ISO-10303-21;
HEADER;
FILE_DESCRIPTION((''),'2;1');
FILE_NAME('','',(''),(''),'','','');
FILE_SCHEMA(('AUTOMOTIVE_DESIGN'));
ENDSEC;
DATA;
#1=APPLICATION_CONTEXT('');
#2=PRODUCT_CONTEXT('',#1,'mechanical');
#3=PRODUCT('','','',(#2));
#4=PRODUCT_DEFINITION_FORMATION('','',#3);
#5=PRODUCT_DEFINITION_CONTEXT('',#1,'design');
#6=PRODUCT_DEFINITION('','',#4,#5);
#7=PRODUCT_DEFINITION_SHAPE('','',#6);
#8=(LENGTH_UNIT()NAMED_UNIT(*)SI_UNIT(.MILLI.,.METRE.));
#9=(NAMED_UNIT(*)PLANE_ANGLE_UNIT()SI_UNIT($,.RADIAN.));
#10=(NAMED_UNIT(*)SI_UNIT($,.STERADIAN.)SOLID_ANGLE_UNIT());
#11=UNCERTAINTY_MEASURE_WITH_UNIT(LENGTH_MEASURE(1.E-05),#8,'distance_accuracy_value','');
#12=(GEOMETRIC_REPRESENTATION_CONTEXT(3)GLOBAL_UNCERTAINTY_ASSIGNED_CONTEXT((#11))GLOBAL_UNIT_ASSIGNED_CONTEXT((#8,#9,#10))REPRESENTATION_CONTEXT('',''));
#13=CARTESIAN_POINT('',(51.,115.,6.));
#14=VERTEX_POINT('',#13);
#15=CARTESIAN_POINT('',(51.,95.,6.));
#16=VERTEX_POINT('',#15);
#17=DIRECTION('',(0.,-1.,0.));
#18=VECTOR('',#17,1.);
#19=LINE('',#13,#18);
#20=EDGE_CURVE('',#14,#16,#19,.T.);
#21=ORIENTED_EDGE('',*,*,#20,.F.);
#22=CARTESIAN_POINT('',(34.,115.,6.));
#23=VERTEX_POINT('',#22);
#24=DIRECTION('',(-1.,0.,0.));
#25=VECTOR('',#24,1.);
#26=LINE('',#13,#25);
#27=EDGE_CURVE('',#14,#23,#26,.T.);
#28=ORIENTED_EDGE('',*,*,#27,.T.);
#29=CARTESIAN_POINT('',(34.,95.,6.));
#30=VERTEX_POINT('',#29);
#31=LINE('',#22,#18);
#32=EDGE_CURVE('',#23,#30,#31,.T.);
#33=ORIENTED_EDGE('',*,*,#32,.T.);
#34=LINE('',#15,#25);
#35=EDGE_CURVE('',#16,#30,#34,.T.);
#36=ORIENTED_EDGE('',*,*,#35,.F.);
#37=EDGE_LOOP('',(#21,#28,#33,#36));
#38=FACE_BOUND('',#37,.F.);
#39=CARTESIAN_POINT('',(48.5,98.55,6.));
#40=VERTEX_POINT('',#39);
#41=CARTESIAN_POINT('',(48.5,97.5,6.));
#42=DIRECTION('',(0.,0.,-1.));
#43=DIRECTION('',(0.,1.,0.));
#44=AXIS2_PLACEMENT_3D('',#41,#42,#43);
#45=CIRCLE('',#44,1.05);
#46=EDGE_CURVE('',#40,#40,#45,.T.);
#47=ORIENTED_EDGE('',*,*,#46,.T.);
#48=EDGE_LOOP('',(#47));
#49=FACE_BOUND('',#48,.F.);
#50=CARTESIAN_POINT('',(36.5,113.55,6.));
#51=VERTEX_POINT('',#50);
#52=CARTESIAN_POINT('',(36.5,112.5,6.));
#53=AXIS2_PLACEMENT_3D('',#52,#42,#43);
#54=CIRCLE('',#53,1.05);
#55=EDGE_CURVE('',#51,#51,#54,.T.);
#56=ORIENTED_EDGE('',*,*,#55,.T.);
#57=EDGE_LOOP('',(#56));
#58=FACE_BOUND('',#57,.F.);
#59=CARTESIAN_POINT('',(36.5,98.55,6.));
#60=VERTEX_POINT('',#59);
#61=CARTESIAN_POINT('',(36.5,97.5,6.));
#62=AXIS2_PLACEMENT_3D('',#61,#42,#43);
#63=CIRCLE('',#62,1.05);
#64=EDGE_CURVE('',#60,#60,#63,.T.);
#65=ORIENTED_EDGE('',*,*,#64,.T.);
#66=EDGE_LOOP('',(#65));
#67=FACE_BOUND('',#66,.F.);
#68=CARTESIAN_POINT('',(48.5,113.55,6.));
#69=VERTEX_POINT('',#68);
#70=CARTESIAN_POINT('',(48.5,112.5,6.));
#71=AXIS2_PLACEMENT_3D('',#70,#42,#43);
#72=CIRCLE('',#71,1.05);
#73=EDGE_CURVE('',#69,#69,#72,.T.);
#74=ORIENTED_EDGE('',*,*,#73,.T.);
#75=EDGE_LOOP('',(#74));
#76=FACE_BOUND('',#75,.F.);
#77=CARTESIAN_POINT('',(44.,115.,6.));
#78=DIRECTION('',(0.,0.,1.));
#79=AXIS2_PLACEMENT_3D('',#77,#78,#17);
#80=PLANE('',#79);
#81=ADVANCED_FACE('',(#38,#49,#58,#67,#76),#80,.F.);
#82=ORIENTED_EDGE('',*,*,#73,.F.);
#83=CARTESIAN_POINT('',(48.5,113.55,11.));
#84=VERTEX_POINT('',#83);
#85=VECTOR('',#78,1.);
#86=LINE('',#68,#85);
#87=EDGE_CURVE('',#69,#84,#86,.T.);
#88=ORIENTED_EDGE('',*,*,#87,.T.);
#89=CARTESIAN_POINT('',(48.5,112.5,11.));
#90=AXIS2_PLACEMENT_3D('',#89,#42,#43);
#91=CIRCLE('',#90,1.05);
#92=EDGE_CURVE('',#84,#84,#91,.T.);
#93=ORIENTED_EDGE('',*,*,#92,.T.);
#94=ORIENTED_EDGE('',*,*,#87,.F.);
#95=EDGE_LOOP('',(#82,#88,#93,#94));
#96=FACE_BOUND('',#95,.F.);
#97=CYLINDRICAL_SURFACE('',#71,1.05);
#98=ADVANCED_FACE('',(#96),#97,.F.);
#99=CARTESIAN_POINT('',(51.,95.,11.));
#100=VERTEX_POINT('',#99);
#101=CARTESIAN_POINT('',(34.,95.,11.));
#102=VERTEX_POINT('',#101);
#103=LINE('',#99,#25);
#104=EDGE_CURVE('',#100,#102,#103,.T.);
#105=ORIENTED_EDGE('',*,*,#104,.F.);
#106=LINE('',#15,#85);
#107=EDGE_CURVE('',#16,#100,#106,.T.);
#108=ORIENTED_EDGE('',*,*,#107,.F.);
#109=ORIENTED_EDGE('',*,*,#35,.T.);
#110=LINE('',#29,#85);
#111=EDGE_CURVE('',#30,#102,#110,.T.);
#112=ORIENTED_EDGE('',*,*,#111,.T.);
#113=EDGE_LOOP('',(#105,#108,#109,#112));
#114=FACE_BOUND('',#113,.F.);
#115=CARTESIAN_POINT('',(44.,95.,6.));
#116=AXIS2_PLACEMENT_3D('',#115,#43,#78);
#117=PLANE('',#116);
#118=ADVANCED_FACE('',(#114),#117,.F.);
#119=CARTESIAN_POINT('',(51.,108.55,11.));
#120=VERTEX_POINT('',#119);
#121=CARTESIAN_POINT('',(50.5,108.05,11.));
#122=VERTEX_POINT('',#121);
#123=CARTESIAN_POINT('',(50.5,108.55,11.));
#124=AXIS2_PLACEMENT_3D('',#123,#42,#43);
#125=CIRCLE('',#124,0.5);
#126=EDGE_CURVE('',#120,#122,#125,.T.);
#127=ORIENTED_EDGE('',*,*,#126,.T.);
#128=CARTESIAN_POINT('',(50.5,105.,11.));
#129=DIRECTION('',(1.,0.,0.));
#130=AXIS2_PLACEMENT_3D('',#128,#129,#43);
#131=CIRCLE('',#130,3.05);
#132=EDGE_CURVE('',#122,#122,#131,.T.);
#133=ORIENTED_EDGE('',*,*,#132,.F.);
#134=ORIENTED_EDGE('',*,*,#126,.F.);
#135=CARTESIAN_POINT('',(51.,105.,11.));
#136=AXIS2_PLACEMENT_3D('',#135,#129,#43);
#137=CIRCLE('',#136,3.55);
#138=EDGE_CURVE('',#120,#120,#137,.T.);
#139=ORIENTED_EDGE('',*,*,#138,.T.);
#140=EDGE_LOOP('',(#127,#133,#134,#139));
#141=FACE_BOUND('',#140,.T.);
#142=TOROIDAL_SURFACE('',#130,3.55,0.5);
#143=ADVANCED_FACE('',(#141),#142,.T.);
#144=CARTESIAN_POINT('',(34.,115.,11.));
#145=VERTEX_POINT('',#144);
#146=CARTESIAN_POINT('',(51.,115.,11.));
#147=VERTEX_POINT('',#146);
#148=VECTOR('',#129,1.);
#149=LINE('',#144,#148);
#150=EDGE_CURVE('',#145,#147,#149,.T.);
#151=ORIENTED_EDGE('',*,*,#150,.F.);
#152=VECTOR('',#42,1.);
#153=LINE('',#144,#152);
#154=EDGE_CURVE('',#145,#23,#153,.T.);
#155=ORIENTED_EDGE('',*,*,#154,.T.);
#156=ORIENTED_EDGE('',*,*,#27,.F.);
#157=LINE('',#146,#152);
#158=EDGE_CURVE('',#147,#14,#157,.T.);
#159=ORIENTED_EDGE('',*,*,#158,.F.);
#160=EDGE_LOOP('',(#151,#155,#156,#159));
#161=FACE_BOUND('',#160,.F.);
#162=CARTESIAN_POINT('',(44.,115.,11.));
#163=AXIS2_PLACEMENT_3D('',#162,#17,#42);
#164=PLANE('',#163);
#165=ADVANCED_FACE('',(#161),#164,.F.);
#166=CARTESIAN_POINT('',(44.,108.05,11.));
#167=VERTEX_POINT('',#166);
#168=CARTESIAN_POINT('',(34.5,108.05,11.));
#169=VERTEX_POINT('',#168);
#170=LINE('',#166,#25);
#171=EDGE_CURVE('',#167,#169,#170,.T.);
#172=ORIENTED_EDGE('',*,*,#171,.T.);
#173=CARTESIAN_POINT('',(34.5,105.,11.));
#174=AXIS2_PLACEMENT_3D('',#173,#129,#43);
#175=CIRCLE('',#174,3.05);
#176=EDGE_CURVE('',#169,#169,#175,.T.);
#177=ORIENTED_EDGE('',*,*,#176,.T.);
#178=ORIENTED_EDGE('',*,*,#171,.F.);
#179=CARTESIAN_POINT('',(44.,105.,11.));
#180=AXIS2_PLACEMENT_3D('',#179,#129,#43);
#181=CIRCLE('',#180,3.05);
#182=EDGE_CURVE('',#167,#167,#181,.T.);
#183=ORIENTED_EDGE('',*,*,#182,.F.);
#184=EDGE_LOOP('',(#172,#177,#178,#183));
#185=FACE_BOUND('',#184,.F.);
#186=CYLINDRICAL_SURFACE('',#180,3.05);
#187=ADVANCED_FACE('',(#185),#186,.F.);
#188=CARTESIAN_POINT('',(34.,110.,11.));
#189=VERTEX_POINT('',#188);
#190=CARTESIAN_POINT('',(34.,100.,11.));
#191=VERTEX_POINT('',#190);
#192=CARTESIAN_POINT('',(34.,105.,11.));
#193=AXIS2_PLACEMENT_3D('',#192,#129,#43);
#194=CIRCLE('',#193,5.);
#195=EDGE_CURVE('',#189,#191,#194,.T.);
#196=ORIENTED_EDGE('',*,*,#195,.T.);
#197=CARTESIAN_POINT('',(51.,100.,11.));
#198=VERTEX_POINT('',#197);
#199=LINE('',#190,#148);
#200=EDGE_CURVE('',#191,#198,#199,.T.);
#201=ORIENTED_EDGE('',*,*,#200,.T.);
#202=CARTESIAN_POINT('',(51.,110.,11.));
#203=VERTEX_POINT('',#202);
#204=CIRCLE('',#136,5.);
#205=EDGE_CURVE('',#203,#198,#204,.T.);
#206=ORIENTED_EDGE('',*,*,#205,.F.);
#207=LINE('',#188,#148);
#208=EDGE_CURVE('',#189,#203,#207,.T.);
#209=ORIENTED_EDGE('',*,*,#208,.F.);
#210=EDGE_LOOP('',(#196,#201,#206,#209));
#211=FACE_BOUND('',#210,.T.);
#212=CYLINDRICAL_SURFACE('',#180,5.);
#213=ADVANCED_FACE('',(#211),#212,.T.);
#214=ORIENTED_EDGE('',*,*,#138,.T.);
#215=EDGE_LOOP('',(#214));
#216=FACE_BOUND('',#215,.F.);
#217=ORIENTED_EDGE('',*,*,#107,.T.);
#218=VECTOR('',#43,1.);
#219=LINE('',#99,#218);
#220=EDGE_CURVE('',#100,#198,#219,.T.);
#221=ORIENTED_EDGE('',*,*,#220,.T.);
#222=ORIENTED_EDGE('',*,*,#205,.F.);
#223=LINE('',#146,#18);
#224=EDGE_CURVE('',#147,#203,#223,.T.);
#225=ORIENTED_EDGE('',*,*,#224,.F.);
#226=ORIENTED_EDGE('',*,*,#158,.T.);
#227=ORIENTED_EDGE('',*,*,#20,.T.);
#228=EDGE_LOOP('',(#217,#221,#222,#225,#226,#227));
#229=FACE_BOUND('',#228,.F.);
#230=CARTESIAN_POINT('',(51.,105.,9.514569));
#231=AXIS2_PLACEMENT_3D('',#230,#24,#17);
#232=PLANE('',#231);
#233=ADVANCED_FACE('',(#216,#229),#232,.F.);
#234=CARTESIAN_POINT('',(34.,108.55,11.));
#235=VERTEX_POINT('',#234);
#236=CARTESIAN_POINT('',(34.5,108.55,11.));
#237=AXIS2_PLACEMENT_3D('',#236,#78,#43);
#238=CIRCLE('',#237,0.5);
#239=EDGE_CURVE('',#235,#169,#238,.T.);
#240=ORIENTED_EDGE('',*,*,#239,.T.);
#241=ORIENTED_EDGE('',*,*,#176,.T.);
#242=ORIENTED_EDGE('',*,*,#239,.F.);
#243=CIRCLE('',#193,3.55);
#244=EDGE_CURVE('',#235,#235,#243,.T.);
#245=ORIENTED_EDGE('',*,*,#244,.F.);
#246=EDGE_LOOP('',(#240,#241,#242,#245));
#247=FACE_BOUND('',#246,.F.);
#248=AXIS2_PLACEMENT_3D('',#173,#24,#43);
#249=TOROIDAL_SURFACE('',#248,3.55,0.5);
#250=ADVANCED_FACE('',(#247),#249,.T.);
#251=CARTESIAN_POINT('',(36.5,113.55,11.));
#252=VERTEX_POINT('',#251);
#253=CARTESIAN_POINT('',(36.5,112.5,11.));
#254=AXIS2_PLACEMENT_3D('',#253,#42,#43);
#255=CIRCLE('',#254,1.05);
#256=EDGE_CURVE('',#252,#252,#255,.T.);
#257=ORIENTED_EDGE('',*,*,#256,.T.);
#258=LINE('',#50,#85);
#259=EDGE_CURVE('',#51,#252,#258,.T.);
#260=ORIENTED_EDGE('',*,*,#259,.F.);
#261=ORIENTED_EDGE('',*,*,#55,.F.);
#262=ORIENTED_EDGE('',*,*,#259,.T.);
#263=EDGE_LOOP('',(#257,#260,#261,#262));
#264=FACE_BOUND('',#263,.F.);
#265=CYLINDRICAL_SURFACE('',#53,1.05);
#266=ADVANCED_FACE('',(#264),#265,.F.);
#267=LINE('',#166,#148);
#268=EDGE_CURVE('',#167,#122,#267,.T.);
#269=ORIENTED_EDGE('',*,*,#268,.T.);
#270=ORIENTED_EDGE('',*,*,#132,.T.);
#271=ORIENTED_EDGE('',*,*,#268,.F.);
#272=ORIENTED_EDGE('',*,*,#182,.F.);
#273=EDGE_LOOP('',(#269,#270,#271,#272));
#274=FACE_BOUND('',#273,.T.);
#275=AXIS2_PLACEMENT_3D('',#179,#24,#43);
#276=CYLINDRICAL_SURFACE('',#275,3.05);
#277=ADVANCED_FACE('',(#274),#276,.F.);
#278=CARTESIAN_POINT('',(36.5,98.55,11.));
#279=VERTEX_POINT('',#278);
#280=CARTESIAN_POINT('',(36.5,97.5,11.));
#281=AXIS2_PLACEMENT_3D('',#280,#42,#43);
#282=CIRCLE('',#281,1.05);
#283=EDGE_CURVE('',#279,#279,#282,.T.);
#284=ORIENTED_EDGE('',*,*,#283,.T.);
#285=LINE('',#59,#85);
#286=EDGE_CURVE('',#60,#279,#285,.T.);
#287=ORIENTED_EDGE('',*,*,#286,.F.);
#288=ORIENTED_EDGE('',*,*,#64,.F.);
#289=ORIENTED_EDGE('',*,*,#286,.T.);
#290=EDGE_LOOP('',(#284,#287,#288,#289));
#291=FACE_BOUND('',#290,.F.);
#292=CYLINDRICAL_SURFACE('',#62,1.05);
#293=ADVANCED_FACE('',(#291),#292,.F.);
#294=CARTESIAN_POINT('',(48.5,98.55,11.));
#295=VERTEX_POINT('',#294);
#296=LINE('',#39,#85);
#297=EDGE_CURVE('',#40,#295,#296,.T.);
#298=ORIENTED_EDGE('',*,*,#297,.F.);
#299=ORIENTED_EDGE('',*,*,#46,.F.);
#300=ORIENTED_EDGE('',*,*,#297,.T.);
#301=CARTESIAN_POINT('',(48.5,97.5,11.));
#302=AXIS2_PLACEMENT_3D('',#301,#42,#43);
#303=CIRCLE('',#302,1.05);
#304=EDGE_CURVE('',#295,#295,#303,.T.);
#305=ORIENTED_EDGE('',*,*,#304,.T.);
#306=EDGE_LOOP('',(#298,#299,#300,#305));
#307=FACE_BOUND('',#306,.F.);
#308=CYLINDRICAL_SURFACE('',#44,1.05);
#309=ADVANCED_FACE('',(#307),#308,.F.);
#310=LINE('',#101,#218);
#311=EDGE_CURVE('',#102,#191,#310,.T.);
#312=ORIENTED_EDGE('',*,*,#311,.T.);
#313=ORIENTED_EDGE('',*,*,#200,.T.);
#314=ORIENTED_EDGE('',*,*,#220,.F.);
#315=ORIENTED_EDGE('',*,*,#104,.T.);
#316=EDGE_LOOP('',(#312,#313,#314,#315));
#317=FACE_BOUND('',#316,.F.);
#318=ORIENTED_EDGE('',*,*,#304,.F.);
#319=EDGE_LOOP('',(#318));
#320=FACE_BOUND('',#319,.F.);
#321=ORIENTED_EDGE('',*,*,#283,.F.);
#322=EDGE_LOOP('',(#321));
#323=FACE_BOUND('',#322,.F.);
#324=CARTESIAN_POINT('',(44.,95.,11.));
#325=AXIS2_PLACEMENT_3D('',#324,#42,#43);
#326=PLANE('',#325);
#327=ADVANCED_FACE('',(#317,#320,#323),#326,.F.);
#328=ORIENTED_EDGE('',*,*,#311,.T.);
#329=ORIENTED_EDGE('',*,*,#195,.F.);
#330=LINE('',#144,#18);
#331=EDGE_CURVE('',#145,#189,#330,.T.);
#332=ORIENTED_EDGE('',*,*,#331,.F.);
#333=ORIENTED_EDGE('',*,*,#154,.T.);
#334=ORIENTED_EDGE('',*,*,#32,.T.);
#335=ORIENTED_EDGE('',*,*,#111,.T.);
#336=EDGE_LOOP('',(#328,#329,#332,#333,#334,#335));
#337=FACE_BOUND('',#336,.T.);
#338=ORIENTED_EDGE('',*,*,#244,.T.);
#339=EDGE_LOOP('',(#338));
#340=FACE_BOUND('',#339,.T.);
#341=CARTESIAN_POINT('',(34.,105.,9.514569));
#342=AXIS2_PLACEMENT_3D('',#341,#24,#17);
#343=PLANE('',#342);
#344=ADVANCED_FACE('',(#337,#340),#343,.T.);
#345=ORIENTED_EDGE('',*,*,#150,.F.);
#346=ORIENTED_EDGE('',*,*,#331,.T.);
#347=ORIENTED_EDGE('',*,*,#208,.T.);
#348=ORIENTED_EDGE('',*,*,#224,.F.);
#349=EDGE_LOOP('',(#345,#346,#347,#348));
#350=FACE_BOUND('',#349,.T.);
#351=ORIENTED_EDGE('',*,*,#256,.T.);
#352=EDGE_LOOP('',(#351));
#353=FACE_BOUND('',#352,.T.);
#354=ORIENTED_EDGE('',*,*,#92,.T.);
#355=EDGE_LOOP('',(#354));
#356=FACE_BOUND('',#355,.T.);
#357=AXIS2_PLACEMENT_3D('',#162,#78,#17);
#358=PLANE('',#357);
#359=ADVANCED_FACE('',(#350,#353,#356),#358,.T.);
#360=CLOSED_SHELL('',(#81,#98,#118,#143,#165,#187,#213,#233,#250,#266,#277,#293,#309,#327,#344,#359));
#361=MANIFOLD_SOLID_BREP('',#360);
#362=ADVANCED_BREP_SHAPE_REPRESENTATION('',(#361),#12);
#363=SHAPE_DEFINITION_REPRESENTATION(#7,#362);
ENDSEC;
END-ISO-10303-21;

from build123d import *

# Parameters (mm, degrees)
SKETCH_R                 = 3.05
PAD_DEPTH                = 7
PAD_DEPTH_BACK           = 10
SKETCH001_R              = 1.05
POCKET_DEPTH             = 5
FILLET_R                 = 0.5
CLONE003_PLACEMENT_ANGLE = 90


with BuildPart() as part:
    # Sketch → Pad (new body, two sides)
    with BuildSketch(Plane.XZ) as pad_sk:
        with BuildLine():
            Line((10, 0), (10, -5))
            Line((10, -5), (-10, -5))
            Line((-10, -5), (-10, 0))
            Line((-10, 0), (-5, 0))
            ThreePointArc((5, 0), (0, 5), (-5, 0))
            Line((10, 0), (5, 0))
        make_face()
        Circle(SKETCH_R, mode=Mode.SUBTRACT)
    extrude(amount=PAD_DEPTH)
    extrude(pad_sk.sketch, amount=-PAD_DEPTH_BACK)

    # Sketch001 → Pocket (cut)
    with BuildSketch(Plane(origin=(0, 0, -5), x_dir=(1, 0, 0), z_dir=(0, 0, -1))):
        with Locations((-7.5, 4.5)):
            Circle(SKETCH001_R)
        with Locations((-7.5, -7.5)):
            Circle(SKETCH001_R)
        with Locations((7.5, -7.5)):
            Circle(SKETCH001_R)
        with Locations((7.5, 4.5)):
            Circle(SKETCH001_R)
    extrude(amount=-POCKET_DEPTH, mode=Mode.SUBTRACT)

    # Fillet
    fillet_edges = [part.edges().sort_by_distance(p)[0] for p in [
        (-3.05, 10, 0),
        (-3.05, -7, 0),
    ]]
    fillet(fillet_edges, radius=FILLET_R)


with BuildPart() as part_1:
    # Clone003 placement: moved
    add(part.part.moved(Location((44, 105, 11))).rotate(Axis((44, 105, 11), (0, 0, 1)), CLONE003_PLACEMENT_ANGLE))


solid = part_1.part
